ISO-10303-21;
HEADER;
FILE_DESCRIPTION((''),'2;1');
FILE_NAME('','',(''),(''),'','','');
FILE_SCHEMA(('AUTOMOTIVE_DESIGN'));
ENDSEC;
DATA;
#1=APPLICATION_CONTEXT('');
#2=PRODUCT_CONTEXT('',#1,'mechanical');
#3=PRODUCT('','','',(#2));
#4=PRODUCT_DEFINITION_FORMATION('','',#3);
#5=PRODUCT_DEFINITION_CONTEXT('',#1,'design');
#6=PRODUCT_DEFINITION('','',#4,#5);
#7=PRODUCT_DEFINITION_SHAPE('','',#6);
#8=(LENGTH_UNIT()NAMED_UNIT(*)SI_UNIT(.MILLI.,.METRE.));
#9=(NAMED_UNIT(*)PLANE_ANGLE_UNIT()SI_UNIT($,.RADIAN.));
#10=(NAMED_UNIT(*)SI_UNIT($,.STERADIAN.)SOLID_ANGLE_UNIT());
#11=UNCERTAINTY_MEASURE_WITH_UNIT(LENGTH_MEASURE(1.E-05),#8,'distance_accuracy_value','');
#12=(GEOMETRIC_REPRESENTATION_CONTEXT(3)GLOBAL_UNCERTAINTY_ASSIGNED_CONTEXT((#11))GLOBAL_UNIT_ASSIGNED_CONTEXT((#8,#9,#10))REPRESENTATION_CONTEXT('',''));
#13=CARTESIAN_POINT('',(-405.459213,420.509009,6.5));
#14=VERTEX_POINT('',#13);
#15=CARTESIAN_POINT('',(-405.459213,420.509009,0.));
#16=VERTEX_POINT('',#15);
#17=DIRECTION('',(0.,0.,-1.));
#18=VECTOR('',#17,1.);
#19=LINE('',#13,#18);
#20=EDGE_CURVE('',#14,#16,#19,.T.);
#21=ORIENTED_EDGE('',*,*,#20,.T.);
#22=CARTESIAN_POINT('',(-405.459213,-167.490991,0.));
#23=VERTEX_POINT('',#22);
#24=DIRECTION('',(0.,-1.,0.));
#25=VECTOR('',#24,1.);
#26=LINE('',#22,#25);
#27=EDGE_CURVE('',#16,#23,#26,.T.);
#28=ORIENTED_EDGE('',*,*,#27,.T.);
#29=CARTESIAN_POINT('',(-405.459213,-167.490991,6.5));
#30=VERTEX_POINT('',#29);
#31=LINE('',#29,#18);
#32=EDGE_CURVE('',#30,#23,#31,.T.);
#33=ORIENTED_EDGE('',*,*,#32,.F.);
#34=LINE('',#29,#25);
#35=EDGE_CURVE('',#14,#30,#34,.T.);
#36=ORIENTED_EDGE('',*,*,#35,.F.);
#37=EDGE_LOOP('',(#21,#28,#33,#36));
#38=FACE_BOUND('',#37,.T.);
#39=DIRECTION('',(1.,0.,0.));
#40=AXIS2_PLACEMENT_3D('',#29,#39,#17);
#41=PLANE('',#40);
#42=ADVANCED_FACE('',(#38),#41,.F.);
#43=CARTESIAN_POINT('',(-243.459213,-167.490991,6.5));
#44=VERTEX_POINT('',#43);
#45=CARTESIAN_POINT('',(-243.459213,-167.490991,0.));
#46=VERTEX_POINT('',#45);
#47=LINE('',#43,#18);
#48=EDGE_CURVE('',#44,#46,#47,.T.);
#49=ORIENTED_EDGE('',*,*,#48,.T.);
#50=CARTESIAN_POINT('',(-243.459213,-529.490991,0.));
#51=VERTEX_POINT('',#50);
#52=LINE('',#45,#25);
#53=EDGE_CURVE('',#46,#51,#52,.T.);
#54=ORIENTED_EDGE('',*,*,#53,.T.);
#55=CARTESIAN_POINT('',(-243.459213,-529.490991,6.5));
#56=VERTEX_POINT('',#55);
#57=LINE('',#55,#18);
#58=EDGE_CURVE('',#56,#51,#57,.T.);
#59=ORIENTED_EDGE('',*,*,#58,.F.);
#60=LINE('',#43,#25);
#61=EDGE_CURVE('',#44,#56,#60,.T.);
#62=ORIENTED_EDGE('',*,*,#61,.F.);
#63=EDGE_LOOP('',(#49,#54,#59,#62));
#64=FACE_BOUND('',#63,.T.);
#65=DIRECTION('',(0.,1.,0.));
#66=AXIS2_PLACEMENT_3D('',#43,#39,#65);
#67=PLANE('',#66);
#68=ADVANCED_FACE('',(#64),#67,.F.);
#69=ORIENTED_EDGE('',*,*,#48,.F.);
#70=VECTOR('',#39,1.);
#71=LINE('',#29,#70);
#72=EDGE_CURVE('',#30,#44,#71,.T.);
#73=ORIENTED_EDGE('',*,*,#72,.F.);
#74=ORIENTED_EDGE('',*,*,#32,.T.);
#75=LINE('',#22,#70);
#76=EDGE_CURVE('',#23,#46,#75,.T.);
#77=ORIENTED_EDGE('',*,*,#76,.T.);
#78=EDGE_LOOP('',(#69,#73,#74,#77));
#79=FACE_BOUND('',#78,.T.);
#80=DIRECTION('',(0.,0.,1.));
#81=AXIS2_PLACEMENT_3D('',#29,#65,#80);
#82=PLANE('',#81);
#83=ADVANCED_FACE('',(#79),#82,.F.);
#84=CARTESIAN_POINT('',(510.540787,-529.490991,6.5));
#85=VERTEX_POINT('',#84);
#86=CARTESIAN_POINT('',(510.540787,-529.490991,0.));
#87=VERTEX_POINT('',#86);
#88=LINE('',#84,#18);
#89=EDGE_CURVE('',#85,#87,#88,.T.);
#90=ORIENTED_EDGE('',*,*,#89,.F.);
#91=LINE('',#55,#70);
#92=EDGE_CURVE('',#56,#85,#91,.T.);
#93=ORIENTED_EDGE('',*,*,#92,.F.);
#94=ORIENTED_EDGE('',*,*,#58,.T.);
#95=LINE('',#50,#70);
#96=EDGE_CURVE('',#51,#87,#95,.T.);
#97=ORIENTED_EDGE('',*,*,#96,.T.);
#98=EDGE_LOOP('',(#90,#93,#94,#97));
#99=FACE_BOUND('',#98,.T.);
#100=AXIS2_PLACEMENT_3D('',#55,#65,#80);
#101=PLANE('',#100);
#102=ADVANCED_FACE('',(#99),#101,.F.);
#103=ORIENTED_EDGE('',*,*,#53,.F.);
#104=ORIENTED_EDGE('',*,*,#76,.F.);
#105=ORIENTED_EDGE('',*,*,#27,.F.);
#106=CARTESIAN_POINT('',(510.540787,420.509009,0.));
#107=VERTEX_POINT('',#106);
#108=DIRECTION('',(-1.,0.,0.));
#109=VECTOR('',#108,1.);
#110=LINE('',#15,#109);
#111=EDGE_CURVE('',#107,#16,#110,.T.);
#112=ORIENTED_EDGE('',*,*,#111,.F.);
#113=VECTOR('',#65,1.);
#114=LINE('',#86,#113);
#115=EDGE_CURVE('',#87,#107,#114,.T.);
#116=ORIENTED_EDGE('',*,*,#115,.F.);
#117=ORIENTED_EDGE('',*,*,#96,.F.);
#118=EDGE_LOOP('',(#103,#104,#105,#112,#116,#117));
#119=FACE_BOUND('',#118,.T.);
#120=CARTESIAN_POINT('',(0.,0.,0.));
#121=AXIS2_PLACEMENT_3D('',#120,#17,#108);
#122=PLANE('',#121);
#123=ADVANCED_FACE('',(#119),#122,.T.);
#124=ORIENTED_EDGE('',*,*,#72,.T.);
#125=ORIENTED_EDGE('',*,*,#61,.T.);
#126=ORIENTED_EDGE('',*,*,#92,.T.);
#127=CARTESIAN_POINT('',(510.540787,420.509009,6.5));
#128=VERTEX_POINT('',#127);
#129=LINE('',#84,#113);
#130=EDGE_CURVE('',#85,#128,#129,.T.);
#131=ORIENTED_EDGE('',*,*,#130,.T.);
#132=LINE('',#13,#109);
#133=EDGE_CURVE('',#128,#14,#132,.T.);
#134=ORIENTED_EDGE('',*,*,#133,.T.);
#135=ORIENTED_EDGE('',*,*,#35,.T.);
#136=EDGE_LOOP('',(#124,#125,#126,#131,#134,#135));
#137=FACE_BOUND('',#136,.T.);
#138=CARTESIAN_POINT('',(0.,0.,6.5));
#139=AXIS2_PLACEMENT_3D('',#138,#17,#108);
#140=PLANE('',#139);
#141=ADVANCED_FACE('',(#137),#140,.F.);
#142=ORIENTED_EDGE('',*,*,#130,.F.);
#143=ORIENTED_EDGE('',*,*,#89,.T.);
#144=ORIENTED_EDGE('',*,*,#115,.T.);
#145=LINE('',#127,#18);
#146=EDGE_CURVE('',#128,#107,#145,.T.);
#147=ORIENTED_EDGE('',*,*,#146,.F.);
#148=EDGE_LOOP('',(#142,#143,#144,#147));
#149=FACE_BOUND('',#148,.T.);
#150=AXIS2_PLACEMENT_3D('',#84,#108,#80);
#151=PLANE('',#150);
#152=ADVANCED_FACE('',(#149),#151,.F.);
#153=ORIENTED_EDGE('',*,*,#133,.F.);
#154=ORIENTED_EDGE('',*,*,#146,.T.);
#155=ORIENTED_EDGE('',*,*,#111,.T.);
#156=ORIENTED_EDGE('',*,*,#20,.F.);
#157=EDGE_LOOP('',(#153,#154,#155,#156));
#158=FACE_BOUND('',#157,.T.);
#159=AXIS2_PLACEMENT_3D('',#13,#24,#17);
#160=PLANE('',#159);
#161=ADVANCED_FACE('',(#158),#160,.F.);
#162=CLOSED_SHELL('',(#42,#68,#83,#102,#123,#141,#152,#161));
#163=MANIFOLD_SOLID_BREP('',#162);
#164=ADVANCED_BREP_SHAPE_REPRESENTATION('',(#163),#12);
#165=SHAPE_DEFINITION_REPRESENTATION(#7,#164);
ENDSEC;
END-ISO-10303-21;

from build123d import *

# Parameters (mm, degrees)
BOSS_EXTRU_1_DEPTH = 6.5


with BuildPart() as part:
    # Esquisse1 → Boss.-Extru.1 (new body)
    with BuildSketch(Plane.XY):
        Polygon((-405.459212908, -167.490990979), (-243.459212908, -167.490990979), (-243.459212908, -529.490990979), (510.540787092, -529.490990979), (510.540787092, 420.509009021), (-405.459212908, 420.509009021), align=None)
    extrude(amount=BOSS_EXTRU_1_DEPTH)


solid = part.part
